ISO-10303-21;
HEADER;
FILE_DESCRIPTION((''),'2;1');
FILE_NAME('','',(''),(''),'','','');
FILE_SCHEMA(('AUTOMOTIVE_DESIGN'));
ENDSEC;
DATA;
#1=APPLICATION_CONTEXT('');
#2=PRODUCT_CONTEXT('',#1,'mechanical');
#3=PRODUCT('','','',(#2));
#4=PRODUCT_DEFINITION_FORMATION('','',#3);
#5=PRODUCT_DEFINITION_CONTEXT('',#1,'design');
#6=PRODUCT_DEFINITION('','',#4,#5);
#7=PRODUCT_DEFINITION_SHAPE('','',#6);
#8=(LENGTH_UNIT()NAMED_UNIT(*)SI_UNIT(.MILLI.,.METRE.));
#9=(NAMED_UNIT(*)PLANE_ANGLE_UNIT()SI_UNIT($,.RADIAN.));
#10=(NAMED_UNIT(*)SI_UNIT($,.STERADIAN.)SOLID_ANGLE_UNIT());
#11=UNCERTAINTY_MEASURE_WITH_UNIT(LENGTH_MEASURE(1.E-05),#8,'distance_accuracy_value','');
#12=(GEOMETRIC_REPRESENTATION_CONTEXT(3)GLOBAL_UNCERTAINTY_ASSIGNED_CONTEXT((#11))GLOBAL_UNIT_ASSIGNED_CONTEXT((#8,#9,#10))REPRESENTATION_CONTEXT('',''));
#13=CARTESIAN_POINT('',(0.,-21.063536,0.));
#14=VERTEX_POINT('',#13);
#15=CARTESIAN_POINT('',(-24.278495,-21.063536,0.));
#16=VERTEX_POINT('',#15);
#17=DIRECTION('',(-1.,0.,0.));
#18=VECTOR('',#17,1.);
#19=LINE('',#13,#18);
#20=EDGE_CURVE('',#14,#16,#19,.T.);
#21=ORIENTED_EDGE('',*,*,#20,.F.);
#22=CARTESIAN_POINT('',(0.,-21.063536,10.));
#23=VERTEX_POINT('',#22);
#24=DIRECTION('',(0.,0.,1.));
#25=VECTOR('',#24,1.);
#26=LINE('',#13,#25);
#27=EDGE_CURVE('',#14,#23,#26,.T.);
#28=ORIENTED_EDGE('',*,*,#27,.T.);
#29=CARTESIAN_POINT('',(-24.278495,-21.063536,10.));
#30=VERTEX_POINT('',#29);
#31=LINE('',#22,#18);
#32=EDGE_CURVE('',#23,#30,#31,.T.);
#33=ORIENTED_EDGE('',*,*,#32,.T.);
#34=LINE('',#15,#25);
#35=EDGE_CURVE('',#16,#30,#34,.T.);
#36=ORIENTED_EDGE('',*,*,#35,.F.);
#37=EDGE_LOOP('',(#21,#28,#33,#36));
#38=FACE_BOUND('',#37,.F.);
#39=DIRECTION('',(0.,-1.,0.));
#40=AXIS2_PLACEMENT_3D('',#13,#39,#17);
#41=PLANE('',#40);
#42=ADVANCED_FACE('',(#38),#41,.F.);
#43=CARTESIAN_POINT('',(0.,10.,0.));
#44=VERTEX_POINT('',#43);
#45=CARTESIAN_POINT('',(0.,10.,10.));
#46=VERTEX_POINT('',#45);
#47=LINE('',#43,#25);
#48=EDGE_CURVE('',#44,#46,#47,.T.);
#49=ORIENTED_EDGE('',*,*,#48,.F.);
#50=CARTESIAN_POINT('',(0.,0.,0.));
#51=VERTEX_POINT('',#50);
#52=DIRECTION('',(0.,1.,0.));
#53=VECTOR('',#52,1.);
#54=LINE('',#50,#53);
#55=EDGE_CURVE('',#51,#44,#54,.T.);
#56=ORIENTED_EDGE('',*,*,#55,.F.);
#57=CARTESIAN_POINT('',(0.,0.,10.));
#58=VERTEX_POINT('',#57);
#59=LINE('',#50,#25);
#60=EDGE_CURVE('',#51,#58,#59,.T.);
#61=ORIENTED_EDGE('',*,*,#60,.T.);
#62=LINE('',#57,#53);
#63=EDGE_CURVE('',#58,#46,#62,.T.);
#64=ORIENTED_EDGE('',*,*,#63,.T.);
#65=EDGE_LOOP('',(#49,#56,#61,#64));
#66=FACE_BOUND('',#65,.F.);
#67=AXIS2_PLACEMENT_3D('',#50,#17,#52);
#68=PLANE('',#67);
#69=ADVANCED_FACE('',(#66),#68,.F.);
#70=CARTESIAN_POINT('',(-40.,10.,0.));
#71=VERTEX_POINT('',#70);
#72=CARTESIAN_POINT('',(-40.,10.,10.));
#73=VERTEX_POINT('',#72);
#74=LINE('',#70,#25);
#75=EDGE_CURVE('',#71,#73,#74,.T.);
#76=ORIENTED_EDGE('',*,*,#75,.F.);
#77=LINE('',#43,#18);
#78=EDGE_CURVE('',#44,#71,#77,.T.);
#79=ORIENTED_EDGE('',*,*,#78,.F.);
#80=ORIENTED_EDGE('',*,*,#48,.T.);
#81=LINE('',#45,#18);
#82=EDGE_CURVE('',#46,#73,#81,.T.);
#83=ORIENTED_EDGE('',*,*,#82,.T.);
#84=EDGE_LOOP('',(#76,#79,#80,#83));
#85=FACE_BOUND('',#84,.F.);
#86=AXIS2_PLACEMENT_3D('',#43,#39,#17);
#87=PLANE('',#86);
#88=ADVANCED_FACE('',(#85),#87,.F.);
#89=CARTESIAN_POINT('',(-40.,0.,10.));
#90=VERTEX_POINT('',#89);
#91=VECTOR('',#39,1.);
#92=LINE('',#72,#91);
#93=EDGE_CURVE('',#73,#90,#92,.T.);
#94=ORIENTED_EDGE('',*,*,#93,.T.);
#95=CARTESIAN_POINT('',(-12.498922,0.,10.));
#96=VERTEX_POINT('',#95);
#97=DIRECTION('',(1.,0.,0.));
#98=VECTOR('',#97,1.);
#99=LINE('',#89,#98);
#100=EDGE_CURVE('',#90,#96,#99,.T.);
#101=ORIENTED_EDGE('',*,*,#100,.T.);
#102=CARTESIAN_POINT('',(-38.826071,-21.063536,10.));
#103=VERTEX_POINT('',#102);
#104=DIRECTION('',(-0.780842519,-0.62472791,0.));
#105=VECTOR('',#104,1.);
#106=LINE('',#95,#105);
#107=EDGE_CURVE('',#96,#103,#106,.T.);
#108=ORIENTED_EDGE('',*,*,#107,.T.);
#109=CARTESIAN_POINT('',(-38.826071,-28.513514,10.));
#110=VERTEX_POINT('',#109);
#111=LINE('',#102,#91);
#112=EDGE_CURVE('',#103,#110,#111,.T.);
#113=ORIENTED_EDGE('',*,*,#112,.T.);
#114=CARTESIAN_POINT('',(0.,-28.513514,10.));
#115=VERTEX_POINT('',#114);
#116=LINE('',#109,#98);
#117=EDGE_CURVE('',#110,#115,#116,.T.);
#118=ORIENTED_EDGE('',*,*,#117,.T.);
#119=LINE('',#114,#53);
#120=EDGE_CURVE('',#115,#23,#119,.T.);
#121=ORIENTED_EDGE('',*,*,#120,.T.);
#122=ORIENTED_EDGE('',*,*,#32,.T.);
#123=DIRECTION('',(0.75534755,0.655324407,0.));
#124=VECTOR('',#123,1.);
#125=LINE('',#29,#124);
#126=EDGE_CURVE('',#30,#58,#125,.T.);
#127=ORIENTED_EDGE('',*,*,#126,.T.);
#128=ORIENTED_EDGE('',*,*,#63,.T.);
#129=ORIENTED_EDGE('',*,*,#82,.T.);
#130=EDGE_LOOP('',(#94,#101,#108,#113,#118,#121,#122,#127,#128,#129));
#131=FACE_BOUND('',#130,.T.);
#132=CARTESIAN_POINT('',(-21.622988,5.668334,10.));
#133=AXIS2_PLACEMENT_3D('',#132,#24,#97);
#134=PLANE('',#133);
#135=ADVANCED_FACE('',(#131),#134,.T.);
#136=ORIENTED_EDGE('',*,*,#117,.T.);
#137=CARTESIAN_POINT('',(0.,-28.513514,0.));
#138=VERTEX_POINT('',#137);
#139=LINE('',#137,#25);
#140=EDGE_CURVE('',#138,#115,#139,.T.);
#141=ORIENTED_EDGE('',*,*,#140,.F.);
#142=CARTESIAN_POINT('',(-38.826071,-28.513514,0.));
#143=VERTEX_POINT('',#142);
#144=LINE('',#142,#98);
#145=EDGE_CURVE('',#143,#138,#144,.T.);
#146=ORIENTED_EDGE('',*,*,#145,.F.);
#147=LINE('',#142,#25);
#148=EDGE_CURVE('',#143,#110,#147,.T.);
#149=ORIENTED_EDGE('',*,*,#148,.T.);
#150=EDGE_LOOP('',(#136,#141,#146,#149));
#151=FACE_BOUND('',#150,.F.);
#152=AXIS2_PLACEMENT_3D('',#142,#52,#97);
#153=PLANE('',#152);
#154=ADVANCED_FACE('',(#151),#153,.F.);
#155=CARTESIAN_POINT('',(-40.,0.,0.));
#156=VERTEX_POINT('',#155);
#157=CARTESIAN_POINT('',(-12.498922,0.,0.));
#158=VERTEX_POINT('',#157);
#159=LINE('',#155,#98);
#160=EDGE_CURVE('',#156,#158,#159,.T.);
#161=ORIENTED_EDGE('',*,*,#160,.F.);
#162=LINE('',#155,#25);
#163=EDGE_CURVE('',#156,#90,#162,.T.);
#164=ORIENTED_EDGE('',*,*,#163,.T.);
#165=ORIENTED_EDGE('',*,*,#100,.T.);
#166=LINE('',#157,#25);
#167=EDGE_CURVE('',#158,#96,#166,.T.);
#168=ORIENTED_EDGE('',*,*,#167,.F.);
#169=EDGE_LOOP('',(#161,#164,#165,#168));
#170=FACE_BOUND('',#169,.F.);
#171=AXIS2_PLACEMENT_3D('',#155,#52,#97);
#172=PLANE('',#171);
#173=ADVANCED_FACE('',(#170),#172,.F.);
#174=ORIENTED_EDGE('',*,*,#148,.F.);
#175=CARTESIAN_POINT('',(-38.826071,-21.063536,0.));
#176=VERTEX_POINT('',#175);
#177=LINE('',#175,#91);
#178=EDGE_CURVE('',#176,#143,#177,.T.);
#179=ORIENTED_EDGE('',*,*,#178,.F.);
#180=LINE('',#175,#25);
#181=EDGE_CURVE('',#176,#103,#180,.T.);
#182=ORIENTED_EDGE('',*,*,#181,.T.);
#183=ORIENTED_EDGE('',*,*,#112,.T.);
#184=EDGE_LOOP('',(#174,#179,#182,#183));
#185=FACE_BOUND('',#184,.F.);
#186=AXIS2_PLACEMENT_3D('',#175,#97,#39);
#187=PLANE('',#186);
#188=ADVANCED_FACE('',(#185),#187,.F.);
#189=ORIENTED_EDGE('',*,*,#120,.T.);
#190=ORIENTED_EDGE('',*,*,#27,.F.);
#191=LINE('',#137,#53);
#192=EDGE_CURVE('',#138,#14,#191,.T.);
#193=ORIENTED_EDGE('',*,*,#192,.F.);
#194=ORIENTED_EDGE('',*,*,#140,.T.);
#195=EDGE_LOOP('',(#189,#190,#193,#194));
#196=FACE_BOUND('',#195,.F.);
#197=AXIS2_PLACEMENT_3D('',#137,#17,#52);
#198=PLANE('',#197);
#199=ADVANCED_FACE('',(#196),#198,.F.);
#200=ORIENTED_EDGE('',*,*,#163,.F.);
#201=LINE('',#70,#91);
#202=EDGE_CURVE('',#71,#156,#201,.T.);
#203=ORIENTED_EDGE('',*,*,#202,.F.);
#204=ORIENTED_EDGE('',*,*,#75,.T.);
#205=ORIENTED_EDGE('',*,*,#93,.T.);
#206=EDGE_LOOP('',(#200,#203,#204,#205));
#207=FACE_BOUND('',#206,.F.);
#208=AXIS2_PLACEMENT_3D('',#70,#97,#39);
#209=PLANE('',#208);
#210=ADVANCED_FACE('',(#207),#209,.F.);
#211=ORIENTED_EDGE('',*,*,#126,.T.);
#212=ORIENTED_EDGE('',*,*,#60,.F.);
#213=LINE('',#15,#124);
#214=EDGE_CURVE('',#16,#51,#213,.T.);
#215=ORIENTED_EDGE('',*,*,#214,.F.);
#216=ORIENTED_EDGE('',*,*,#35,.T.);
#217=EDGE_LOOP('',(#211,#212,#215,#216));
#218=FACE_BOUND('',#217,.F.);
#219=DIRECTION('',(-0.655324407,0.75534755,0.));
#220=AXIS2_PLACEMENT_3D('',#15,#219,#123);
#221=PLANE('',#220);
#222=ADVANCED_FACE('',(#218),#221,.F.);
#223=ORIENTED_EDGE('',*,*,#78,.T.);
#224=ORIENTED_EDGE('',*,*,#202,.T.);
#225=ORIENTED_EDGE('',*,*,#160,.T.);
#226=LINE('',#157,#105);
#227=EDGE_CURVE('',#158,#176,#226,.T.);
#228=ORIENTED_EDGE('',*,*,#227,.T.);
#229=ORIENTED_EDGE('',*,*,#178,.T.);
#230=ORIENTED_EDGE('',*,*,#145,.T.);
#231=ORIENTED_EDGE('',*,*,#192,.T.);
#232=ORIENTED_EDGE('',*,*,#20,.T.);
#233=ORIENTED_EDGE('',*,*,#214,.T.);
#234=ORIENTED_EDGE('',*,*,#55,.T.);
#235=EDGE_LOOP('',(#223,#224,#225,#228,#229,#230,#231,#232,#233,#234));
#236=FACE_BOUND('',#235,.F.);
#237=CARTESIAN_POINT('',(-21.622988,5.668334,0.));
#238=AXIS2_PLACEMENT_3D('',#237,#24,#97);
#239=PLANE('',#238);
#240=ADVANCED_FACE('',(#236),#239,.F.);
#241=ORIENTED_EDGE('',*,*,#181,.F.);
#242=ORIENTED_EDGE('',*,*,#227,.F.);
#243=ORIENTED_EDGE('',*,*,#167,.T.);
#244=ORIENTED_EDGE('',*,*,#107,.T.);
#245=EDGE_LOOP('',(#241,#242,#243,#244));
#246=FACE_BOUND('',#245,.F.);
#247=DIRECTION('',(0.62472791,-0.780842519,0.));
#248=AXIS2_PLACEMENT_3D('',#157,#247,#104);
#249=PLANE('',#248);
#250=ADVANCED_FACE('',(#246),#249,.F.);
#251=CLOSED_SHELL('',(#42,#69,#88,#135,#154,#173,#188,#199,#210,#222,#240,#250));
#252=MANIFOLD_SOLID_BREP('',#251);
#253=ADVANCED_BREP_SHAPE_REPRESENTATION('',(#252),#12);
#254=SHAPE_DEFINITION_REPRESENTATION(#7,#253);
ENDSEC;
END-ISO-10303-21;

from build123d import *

# Parameters (mm, degrees)
F1_DEPTH = 10


with BuildPart() as f1:
    # F0 (on Top) → F1 (new body)
    with BuildSketch(Plane.XY):
        Polygon((-40, 0), (-12.4989216356, 0), (0, 10), (-40, 10), align=None)
        Polygon((-32.865574352, -28.5135141142), (-38.8260707259, -21.0635364056), (-38.8260707259, -28.5135141142), align=None)
        Polygon((0, -21.0635364056), (-24.2784954208, -21.0635364056), (-32.865574352, -28.5135141142), (0, -28.5135141142), align=None)
        Polygon((-12.4989216356, 0), (0, 0), (0, 10), align=None)
        Polygon((-24.2784954208, -21.0635364056), (0, 0), (-12.4989216356, 0), (-38.8260707259, -21.0635364056), align=None)
        Polygon((-32.865574352, -28.5135141142), (-24.2784954208, -21.0635364056), (-38.8260707259, -21.0635364056), align=None)
    extrude(amount=F1_DEPTH)


solid = f1.part
